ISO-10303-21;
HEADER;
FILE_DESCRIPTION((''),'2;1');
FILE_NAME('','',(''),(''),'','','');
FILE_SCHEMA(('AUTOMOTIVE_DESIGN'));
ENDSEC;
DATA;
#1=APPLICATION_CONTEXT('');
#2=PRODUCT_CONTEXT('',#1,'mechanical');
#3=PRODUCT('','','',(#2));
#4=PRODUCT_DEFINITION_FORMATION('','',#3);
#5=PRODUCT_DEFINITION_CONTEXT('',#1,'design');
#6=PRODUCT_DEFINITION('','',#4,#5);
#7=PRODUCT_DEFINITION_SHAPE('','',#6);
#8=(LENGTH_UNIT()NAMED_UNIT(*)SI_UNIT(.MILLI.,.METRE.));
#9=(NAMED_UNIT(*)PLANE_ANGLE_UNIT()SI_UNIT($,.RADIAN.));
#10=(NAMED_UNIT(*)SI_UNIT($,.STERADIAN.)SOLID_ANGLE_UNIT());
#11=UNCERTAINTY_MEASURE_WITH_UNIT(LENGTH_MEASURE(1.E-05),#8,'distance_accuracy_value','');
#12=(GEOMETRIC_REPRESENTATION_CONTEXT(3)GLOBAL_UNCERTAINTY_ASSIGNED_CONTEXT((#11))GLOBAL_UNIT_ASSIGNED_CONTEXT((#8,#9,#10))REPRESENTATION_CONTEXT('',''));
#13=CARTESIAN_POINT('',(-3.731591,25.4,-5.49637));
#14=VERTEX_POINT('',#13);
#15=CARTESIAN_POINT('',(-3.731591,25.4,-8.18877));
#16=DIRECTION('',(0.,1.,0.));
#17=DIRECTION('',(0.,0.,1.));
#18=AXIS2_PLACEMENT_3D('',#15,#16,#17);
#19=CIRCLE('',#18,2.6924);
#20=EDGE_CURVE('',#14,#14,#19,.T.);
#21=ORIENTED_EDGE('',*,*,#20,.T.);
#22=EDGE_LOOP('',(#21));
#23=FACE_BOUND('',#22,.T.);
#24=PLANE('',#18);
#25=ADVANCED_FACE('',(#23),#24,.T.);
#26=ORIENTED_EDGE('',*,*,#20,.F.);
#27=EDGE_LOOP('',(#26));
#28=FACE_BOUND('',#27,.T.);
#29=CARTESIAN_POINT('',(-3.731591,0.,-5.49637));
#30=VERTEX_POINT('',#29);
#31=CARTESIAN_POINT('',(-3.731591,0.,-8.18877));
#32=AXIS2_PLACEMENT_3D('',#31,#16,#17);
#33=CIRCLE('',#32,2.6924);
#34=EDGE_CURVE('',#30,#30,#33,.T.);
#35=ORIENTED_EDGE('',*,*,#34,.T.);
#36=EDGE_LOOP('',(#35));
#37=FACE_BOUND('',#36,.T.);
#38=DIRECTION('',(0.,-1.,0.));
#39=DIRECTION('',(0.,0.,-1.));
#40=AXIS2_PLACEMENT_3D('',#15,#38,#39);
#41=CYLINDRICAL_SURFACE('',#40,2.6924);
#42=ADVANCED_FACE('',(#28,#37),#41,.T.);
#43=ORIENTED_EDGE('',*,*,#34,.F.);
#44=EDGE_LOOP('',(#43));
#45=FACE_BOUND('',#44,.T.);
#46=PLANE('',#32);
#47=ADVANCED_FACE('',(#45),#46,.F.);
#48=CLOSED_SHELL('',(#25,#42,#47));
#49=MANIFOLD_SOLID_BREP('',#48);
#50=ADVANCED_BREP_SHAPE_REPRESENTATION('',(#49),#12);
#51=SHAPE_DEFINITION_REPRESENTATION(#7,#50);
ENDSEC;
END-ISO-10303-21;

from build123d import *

# Parameters (mm, degrees)
SKETCH1_R           = 2.6924
BOSS_EXTRUDE1_DEPTH = 25.4


with BuildPart() as part:
    # Sketch1 → Boss-Extrude1 (new body)
    with BuildSketch(Plane(origin=(0, 0, 0), x_dir=(1, 0, 0), z_dir=(0, 1, 0))):
        with Locations(Location((-3.731591213, 8.188769606, 0), (0, 0, 270))):
            Circle(SKETCH1_R)
    extrude(amount=BOSS_EXTRUDE1_DEPTH)


solid = part.part
